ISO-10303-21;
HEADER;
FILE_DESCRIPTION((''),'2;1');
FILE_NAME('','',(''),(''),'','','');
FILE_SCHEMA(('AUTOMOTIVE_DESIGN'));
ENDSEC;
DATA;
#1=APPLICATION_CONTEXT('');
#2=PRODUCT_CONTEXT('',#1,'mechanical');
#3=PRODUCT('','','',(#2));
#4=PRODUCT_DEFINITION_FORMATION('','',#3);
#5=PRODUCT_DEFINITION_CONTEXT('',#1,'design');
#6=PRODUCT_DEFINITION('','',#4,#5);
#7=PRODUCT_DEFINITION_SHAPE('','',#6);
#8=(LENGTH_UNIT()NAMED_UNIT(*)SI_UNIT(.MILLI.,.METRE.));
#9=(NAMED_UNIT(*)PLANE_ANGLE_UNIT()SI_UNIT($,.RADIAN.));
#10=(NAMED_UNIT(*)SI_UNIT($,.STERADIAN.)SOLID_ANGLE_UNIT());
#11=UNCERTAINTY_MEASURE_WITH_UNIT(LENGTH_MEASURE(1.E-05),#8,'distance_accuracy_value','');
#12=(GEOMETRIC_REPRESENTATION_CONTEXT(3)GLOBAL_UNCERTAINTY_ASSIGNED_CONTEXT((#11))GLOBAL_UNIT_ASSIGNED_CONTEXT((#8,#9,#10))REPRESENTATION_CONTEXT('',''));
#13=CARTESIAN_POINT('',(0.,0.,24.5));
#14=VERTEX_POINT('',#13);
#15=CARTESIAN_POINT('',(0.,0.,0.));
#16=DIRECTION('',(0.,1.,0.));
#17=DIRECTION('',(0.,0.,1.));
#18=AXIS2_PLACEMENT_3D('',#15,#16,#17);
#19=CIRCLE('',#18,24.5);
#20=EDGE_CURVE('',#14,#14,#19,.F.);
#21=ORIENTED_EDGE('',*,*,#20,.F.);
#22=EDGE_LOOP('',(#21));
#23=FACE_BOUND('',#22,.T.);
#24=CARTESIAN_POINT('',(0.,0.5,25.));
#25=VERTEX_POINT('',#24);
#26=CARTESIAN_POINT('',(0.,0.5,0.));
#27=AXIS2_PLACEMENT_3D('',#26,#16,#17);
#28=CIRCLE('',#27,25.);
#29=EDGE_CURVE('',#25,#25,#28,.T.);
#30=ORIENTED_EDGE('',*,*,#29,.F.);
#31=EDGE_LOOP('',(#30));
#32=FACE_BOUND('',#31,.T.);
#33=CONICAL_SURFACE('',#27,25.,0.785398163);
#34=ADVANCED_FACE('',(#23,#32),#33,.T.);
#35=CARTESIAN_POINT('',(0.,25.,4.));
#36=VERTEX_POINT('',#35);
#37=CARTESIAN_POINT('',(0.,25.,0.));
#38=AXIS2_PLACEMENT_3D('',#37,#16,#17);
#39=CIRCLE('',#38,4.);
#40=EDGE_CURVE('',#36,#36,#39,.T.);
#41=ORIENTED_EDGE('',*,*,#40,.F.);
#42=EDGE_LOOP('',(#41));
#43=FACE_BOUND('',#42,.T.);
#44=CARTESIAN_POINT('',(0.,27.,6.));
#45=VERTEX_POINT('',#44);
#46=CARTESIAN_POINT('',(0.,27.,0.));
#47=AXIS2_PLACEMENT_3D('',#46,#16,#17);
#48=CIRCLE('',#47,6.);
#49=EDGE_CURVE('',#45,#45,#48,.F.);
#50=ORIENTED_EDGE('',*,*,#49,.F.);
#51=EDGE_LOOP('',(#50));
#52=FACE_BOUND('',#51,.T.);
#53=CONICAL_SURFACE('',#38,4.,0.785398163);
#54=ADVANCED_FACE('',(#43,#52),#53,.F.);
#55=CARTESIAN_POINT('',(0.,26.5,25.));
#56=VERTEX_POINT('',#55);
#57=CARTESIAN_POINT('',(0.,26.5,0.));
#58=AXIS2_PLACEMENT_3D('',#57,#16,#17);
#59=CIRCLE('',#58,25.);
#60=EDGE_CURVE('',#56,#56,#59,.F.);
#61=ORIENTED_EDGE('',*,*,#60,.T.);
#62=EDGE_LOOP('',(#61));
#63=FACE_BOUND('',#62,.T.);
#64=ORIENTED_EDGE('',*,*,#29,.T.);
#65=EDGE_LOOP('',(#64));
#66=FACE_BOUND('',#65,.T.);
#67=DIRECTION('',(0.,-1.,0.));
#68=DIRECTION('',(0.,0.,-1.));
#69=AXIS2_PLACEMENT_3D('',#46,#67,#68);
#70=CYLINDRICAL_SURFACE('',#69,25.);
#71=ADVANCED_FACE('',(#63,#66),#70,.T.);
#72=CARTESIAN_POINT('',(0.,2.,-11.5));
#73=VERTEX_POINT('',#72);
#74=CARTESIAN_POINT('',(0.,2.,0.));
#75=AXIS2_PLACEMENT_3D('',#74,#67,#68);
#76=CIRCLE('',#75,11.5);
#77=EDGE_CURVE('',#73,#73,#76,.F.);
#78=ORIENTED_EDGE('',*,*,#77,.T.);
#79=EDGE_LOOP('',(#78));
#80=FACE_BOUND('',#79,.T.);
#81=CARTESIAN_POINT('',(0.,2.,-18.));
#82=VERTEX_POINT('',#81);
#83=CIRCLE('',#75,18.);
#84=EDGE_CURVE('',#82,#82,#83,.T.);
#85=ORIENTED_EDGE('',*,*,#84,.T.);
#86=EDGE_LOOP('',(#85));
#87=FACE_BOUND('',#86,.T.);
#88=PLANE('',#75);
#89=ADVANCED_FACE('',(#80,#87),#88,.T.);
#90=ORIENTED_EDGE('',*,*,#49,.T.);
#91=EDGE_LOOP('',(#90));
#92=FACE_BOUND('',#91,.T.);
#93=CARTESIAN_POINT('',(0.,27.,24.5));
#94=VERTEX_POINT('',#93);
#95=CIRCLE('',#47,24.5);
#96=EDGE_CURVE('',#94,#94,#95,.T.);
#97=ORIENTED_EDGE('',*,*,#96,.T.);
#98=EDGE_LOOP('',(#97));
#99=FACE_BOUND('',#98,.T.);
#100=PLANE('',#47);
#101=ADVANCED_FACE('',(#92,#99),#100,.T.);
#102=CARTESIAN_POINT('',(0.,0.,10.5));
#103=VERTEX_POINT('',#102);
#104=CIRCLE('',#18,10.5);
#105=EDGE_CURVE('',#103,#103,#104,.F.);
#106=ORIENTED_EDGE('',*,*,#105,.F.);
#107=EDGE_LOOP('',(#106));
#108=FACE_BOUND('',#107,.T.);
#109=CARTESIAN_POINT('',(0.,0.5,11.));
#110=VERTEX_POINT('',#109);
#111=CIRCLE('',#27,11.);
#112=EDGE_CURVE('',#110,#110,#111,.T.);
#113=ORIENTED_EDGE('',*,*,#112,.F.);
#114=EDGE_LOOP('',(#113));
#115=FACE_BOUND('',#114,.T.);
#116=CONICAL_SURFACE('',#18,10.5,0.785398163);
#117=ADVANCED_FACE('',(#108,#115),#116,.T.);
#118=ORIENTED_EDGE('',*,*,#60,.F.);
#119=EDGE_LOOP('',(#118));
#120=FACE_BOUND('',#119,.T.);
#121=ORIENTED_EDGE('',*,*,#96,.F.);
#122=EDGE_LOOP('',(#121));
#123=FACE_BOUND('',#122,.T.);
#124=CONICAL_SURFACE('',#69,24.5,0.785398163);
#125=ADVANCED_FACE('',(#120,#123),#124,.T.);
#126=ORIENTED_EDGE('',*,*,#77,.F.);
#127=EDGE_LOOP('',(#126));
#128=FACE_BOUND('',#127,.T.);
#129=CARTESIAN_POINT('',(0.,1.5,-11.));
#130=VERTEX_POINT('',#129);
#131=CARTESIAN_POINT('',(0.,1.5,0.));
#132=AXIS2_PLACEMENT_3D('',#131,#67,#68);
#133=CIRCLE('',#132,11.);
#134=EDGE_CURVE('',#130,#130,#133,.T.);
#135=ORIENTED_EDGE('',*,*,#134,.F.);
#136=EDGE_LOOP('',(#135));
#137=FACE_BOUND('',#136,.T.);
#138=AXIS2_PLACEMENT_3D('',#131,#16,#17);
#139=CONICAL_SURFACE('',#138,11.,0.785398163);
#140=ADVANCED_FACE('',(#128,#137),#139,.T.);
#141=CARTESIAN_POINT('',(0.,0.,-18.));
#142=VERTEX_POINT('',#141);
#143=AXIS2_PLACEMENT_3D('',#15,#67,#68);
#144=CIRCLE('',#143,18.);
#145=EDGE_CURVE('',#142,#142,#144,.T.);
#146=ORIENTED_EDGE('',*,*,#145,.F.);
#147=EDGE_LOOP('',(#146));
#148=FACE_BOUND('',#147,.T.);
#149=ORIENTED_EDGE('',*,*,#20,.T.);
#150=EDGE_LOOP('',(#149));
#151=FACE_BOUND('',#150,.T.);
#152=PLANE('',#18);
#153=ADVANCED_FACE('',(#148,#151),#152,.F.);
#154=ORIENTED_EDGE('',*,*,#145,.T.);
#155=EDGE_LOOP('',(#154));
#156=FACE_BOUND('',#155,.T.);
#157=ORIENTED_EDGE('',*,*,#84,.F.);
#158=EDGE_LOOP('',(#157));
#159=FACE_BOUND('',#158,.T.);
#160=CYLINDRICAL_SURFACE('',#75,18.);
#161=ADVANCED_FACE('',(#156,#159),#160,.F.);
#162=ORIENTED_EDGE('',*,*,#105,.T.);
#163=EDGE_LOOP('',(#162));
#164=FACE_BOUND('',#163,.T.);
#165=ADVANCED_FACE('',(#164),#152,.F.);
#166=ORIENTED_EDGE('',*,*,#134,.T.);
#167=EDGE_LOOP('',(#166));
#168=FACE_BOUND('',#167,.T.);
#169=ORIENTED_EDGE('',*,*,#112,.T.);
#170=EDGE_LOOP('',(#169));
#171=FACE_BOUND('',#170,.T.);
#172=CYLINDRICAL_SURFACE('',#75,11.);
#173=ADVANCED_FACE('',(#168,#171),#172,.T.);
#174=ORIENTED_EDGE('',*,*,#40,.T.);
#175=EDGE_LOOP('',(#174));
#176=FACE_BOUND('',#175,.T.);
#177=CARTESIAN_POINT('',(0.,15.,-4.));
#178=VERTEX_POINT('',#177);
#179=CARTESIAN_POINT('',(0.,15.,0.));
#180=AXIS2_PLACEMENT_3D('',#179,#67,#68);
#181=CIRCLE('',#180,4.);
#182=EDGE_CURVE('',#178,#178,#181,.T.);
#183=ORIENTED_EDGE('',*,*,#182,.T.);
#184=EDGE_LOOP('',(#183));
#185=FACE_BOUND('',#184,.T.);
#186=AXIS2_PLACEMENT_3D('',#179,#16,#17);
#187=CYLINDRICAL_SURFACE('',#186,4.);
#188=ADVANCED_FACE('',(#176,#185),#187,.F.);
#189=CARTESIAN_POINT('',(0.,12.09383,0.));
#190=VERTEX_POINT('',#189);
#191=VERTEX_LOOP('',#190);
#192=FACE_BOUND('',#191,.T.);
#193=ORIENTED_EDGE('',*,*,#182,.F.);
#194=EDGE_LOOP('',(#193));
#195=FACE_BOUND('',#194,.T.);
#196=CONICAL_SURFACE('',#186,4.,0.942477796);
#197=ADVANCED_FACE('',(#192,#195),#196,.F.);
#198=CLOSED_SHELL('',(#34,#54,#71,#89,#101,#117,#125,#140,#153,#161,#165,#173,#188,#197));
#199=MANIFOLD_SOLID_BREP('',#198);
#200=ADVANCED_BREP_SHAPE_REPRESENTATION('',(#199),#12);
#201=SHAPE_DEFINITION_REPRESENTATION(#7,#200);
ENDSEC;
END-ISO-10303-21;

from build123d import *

# Parameters (mm, degrees)
SKETCH_1_R          = 25
EXTRUDE_1_DEPTH     = 27
SKETCH_9_R          = 4
CUT_EXTRUDE_1_DEPTH = 12
CHAMFER_1_SIZE      = 2
CHAMFER_2_SIZE      = 0.5
SKETCH_11_R         = 18
SKETCH_11_R_2       = 11
CUT_EXTRUDE_2_DEPTH = 2
CHAMFER_3_SIZE      = 0.5


with BuildPart() as part:
    # 草图1 → 凸台-拉伸1 (new body)
    with BuildSketch(Plane(origin=(0, 0, 0), x_dir=(1, 0, 0), z_dir=(0, 1, 0))):
        with Locations(Location((0, 0, 0), (0, 0, 270))):
            Circle(SKETCH_1_R)
    extrude(amount=EXTRUDE_1_DEPTH)

    # 草图9 → 切除-拉伸1 (cut)
    with BuildSketch(Plane(origin=(0, 27, 0), x_dir=(1, 0, 0), z_dir=(0, 1, 0))):
        with Locations(Location((0, 0, 0), (0, 0, 270))):
            Circle(SKETCH_9_R)
    extrude(amount=-CUT_EXTRUDE_1_DEPTH, mode=Mode.SUBTRACT)

    # 草图10 → 切除-旋转2 (revolve, cut)
    with BuildSketch(Plane.XY, mode=Mode.PRIVATE) as cut_revolve_2_sk:
        Polygon((-4, 15), (0, 12.093829888), (0, 15), align=None)
    revolve(cut_revolve_2_sk.sketch.rotate(Axis((0, 12.093829888, 0), (0, 1, 0)), 90), axis=Axis((0, 12.093829888, 0), (0, 1, 0)), mode=Mode.SUBTRACT)

    # 倒角1
    chamfer_1_edges = [part.edges().sort_by_distance(p)[0] for p in [
        (0, 27, -4),
    ]]
    chamfer(chamfer_1_edges, length=CHAMFER_1_SIZE)

    # 倒角2
    chamfer_2_edges = [part.edges().sort_by_distance(p)[0] for p in [
        (0, 0, -25),
        (0, 27, -25),
    ]]
    chamfer(chamfer_2_edges, length=CHAMFER_2_SIZE)

    # 草图11 → 切除-拉伸2 (cut)
    with BuildSketch(Plane.XZ):
        with Locations(Location((0, 0, 0), (0, 0, 270))):
            Circle(SKETCH_11_R)
        with Locations(Location((0, 0, 0), (0, 0, 270))):
            Circle(SKETCH_11_R_2, mode=Mode.SUBTRACT)
    extrude(amount=-CUT_EXTRUDE_2_DEPTH, mode=Mode.SUBTRACT)

    # 倒角3
    chamfer_3_edges = [part.edges().sort_by_distance(p)[0] for p in [
        (0, 2, 11),
        (0, 0, 11),
    ]]
    chamfer(chamfer_3_edges, length=CHAMFER_3_SIZE)


solid = part.part
